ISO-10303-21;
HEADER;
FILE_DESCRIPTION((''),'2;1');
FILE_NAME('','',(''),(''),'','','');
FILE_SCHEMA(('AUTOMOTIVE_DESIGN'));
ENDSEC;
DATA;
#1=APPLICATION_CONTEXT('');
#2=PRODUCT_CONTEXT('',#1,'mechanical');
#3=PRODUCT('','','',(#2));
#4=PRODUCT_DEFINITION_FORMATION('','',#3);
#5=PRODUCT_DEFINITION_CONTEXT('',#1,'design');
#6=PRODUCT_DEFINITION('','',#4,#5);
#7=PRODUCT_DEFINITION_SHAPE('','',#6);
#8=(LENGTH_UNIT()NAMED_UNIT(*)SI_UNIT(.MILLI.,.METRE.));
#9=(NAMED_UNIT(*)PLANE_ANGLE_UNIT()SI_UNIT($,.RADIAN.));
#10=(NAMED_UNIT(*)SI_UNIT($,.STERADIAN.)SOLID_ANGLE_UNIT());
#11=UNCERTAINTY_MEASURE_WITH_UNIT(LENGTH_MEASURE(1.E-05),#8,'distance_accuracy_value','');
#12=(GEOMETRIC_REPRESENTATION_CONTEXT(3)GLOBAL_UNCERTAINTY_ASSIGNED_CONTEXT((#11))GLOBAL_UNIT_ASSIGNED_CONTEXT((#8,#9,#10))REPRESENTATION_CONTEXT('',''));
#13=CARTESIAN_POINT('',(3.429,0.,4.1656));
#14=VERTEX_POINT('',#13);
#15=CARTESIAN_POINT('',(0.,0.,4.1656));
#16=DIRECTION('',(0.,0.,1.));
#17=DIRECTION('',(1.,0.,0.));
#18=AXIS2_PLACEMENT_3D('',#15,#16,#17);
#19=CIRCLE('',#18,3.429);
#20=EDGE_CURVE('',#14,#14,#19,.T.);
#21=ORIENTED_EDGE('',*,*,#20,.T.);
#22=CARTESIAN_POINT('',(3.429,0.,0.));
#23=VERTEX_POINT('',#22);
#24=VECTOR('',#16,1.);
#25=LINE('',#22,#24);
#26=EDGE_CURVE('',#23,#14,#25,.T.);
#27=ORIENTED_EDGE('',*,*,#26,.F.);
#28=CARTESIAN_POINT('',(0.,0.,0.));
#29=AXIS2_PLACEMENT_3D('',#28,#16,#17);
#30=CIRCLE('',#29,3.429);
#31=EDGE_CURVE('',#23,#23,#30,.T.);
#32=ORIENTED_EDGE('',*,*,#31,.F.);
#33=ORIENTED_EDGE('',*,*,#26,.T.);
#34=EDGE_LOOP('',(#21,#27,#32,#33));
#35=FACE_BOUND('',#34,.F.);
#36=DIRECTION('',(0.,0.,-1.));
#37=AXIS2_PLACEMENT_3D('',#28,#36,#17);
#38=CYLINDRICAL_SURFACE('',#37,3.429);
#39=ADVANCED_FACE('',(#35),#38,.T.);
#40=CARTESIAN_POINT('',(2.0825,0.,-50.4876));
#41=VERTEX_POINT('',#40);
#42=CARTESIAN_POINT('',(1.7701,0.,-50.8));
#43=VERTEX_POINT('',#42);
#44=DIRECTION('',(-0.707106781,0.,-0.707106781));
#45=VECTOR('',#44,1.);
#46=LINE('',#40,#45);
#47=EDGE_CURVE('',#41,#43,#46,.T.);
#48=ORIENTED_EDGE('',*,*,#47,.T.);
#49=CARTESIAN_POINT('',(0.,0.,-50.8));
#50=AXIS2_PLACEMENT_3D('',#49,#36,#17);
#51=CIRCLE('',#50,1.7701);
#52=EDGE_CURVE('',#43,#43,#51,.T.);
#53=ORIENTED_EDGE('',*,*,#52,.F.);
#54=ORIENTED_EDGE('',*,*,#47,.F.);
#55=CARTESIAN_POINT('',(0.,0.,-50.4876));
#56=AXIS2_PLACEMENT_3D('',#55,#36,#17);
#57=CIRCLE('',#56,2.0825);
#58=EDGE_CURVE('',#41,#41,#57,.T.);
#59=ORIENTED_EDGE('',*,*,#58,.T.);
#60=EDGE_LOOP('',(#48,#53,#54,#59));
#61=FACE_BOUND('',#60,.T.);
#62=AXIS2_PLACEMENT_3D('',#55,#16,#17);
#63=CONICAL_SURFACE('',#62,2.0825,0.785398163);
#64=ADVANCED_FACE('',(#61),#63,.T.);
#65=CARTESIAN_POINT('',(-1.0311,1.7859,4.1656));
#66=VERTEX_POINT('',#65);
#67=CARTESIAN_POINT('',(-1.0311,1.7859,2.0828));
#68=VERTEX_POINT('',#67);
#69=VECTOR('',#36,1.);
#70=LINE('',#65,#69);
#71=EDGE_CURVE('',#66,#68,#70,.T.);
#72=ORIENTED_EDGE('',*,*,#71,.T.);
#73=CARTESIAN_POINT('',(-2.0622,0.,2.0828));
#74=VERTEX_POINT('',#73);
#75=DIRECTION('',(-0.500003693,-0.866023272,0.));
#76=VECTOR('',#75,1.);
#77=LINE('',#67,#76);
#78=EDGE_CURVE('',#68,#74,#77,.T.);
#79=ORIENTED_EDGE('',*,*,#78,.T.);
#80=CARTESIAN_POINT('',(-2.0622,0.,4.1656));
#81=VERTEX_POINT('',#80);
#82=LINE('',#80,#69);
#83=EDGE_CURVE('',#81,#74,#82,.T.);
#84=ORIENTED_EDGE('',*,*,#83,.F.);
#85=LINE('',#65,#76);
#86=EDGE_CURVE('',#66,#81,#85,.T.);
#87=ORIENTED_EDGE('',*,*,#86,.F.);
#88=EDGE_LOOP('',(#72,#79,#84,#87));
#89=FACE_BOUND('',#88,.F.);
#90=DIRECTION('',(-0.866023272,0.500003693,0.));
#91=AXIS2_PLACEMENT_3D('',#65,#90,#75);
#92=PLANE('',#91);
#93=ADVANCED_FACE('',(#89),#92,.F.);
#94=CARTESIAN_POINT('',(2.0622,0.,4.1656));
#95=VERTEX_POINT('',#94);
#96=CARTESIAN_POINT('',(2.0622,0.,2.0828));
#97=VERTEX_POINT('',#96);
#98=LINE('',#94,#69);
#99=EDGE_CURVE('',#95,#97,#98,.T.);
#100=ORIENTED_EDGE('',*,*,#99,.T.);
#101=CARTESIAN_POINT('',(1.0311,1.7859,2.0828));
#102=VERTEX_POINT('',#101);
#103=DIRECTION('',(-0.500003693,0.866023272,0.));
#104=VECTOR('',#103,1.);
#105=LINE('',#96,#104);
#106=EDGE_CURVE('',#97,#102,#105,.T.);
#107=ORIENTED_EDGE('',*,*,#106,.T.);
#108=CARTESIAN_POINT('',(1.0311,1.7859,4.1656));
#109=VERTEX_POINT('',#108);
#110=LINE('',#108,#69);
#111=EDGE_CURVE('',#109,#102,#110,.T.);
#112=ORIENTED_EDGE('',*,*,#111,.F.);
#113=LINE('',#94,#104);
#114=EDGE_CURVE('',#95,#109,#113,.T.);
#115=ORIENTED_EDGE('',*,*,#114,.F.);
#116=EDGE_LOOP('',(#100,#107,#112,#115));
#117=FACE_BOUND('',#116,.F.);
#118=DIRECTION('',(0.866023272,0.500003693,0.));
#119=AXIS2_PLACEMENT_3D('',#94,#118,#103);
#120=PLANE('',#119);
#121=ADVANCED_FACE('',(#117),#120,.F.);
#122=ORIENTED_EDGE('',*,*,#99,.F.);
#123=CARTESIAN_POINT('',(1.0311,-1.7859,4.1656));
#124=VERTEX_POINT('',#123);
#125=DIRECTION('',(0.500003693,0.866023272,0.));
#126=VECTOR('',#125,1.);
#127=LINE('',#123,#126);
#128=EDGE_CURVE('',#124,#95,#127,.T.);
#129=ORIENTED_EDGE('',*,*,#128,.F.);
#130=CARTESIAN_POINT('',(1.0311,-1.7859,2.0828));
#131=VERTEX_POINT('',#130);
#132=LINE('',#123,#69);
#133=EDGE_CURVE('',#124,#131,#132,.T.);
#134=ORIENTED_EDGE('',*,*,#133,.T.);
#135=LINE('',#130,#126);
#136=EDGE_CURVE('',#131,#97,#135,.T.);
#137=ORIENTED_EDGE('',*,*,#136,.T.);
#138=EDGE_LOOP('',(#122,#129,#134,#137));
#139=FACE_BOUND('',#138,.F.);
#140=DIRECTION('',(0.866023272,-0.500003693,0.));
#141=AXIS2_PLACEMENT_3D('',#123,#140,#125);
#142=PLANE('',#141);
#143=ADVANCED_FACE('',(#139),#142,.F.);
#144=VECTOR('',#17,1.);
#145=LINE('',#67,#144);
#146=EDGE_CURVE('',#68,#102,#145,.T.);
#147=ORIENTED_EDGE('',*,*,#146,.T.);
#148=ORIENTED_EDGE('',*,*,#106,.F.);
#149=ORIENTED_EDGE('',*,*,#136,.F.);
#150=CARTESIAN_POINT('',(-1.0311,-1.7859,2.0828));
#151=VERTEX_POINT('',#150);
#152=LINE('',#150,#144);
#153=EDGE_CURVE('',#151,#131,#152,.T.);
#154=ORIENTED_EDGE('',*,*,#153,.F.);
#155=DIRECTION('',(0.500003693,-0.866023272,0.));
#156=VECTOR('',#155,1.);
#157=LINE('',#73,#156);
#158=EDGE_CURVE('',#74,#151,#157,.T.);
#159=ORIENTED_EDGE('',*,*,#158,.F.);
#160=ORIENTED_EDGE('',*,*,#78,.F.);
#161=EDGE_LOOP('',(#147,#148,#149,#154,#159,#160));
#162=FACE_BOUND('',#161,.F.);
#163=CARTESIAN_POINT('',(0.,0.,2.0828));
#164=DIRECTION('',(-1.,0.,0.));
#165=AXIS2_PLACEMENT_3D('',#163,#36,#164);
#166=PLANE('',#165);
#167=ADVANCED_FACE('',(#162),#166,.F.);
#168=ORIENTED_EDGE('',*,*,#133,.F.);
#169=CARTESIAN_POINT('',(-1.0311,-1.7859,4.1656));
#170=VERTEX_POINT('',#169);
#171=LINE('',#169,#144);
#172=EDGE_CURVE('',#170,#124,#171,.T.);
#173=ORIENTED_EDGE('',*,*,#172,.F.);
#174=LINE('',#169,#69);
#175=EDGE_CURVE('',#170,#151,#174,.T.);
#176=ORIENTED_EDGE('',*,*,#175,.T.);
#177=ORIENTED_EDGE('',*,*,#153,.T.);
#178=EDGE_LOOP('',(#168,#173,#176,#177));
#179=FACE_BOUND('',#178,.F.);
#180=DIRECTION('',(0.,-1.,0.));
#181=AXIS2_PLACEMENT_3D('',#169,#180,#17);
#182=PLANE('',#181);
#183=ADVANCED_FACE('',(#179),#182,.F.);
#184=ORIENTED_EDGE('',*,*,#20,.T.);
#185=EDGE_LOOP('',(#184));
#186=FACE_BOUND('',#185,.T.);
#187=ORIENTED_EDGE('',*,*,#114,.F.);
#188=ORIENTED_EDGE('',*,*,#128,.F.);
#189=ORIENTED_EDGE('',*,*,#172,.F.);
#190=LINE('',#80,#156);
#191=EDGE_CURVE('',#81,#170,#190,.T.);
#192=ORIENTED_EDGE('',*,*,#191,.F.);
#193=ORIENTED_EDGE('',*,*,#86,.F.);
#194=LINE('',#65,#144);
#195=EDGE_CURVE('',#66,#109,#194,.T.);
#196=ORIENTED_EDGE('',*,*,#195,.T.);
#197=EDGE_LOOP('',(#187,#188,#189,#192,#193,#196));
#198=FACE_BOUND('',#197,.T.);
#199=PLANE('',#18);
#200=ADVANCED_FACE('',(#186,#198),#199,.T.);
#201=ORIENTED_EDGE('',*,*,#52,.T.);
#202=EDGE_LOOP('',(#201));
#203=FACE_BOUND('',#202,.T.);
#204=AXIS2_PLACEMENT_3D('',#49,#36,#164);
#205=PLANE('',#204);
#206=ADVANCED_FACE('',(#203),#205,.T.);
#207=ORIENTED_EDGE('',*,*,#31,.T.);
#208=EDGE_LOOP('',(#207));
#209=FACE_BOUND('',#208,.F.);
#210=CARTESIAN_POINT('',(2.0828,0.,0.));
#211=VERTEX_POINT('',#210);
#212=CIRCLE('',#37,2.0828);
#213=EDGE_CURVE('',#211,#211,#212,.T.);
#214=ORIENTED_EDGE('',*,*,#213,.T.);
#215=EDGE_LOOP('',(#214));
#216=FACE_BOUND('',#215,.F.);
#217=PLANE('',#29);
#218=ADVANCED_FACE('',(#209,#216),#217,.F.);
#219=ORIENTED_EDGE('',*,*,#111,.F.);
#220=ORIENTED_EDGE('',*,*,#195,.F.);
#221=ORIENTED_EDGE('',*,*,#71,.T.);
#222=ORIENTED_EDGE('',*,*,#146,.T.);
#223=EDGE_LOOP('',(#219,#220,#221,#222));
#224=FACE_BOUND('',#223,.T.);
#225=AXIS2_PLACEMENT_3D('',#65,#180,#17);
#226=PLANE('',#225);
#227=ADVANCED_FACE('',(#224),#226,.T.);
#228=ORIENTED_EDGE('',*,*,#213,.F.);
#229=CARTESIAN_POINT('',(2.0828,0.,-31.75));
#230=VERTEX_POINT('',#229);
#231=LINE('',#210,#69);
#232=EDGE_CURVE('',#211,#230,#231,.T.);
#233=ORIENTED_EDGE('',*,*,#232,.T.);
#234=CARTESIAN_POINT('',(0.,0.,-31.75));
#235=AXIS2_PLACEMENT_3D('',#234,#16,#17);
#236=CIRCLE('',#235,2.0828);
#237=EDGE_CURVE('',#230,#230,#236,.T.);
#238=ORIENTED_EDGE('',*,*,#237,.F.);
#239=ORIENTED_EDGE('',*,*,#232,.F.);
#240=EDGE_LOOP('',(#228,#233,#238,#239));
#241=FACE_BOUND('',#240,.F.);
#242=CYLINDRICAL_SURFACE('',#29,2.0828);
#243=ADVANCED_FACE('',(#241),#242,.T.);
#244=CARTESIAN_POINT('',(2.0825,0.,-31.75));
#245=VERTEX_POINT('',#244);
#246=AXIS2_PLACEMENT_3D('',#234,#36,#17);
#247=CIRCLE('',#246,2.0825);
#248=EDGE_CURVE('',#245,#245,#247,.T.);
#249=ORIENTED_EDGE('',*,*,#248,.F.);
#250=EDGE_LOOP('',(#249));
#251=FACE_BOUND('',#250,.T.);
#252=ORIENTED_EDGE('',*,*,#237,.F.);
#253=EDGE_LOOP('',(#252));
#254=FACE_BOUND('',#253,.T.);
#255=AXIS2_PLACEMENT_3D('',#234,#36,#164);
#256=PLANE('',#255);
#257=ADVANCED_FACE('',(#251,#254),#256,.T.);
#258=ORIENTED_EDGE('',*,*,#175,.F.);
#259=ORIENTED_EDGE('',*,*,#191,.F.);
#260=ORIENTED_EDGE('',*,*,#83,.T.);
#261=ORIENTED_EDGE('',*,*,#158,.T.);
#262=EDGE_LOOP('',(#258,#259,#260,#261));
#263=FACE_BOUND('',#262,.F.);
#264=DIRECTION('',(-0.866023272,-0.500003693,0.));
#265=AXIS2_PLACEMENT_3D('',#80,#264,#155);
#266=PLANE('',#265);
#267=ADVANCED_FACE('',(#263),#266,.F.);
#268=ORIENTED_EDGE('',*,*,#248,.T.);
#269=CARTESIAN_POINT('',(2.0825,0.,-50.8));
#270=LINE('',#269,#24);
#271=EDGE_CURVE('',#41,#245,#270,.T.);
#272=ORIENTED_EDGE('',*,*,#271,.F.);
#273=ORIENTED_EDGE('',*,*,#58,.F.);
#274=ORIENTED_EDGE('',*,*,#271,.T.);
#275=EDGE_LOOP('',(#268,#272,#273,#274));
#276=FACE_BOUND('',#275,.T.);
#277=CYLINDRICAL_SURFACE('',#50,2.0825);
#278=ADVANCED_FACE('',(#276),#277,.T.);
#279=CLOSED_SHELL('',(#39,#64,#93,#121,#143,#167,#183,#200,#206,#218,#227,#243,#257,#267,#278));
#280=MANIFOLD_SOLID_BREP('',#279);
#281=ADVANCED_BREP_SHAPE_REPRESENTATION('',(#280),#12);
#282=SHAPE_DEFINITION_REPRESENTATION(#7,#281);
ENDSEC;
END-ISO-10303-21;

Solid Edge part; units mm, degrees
sketch "Sketch1" plane through (0, 0, 0) normal (0, 0, 1) x (1, 0, 0)
  circle A0 centre (0, 0) radius 3.429
  dimension "D1" = 6.858
extrude "Protrusion1" add sketch "Sketch1" along normal blind 4.1656
sketch "Sketch2" plane through (0, 0, 0) normal (0, 0, -1) x (1, 0, 0)
  circle A0 centre (0, 0) radius 2.0828
extrude "Protrusion2" add sketch "Sketch2" along normal blind 50.8
sketch "Sketch3" plane through (0, 0, -50.8) normal (0, 0, -1) x (1, 0, 0)
  circle A0 centre (0, 0) radius 2.0825
extrude "Cutout1" cut sketch "Sketch3" against normal blind 19.05 flip side to cut
chamfer "Chamfer_1" distance 0.3124 angle 45 1 edges at (-2.0825, 0, -50.8)
sketch "Sketch4" plane through (0, 0, 4.1656) normal (0, 0, 1) x (1, 0, 0)
  line L0 (-1.0311, 1.7859) -> (1.0311, 1.7859)
  line L1 (2.0622, 0) -> (1.0311, 1.7859)
  line L2 (1.0311, -1.7859) -> (2.0622, 0)
  line L3 (-1.0311, -1.7859) -> (1.0311, -1.7859)
  line L4 (-2.0622, 0) -> (-1.0311, -1.7859)
  line L5 (-1.0311, 1.7859) -> (-2.0622, 0)
  dimension "D1" = 3.5719
extrude "Cutout2" cut sketch "Sketch4" against normal blind 2.0828
properties part number "24102744"
